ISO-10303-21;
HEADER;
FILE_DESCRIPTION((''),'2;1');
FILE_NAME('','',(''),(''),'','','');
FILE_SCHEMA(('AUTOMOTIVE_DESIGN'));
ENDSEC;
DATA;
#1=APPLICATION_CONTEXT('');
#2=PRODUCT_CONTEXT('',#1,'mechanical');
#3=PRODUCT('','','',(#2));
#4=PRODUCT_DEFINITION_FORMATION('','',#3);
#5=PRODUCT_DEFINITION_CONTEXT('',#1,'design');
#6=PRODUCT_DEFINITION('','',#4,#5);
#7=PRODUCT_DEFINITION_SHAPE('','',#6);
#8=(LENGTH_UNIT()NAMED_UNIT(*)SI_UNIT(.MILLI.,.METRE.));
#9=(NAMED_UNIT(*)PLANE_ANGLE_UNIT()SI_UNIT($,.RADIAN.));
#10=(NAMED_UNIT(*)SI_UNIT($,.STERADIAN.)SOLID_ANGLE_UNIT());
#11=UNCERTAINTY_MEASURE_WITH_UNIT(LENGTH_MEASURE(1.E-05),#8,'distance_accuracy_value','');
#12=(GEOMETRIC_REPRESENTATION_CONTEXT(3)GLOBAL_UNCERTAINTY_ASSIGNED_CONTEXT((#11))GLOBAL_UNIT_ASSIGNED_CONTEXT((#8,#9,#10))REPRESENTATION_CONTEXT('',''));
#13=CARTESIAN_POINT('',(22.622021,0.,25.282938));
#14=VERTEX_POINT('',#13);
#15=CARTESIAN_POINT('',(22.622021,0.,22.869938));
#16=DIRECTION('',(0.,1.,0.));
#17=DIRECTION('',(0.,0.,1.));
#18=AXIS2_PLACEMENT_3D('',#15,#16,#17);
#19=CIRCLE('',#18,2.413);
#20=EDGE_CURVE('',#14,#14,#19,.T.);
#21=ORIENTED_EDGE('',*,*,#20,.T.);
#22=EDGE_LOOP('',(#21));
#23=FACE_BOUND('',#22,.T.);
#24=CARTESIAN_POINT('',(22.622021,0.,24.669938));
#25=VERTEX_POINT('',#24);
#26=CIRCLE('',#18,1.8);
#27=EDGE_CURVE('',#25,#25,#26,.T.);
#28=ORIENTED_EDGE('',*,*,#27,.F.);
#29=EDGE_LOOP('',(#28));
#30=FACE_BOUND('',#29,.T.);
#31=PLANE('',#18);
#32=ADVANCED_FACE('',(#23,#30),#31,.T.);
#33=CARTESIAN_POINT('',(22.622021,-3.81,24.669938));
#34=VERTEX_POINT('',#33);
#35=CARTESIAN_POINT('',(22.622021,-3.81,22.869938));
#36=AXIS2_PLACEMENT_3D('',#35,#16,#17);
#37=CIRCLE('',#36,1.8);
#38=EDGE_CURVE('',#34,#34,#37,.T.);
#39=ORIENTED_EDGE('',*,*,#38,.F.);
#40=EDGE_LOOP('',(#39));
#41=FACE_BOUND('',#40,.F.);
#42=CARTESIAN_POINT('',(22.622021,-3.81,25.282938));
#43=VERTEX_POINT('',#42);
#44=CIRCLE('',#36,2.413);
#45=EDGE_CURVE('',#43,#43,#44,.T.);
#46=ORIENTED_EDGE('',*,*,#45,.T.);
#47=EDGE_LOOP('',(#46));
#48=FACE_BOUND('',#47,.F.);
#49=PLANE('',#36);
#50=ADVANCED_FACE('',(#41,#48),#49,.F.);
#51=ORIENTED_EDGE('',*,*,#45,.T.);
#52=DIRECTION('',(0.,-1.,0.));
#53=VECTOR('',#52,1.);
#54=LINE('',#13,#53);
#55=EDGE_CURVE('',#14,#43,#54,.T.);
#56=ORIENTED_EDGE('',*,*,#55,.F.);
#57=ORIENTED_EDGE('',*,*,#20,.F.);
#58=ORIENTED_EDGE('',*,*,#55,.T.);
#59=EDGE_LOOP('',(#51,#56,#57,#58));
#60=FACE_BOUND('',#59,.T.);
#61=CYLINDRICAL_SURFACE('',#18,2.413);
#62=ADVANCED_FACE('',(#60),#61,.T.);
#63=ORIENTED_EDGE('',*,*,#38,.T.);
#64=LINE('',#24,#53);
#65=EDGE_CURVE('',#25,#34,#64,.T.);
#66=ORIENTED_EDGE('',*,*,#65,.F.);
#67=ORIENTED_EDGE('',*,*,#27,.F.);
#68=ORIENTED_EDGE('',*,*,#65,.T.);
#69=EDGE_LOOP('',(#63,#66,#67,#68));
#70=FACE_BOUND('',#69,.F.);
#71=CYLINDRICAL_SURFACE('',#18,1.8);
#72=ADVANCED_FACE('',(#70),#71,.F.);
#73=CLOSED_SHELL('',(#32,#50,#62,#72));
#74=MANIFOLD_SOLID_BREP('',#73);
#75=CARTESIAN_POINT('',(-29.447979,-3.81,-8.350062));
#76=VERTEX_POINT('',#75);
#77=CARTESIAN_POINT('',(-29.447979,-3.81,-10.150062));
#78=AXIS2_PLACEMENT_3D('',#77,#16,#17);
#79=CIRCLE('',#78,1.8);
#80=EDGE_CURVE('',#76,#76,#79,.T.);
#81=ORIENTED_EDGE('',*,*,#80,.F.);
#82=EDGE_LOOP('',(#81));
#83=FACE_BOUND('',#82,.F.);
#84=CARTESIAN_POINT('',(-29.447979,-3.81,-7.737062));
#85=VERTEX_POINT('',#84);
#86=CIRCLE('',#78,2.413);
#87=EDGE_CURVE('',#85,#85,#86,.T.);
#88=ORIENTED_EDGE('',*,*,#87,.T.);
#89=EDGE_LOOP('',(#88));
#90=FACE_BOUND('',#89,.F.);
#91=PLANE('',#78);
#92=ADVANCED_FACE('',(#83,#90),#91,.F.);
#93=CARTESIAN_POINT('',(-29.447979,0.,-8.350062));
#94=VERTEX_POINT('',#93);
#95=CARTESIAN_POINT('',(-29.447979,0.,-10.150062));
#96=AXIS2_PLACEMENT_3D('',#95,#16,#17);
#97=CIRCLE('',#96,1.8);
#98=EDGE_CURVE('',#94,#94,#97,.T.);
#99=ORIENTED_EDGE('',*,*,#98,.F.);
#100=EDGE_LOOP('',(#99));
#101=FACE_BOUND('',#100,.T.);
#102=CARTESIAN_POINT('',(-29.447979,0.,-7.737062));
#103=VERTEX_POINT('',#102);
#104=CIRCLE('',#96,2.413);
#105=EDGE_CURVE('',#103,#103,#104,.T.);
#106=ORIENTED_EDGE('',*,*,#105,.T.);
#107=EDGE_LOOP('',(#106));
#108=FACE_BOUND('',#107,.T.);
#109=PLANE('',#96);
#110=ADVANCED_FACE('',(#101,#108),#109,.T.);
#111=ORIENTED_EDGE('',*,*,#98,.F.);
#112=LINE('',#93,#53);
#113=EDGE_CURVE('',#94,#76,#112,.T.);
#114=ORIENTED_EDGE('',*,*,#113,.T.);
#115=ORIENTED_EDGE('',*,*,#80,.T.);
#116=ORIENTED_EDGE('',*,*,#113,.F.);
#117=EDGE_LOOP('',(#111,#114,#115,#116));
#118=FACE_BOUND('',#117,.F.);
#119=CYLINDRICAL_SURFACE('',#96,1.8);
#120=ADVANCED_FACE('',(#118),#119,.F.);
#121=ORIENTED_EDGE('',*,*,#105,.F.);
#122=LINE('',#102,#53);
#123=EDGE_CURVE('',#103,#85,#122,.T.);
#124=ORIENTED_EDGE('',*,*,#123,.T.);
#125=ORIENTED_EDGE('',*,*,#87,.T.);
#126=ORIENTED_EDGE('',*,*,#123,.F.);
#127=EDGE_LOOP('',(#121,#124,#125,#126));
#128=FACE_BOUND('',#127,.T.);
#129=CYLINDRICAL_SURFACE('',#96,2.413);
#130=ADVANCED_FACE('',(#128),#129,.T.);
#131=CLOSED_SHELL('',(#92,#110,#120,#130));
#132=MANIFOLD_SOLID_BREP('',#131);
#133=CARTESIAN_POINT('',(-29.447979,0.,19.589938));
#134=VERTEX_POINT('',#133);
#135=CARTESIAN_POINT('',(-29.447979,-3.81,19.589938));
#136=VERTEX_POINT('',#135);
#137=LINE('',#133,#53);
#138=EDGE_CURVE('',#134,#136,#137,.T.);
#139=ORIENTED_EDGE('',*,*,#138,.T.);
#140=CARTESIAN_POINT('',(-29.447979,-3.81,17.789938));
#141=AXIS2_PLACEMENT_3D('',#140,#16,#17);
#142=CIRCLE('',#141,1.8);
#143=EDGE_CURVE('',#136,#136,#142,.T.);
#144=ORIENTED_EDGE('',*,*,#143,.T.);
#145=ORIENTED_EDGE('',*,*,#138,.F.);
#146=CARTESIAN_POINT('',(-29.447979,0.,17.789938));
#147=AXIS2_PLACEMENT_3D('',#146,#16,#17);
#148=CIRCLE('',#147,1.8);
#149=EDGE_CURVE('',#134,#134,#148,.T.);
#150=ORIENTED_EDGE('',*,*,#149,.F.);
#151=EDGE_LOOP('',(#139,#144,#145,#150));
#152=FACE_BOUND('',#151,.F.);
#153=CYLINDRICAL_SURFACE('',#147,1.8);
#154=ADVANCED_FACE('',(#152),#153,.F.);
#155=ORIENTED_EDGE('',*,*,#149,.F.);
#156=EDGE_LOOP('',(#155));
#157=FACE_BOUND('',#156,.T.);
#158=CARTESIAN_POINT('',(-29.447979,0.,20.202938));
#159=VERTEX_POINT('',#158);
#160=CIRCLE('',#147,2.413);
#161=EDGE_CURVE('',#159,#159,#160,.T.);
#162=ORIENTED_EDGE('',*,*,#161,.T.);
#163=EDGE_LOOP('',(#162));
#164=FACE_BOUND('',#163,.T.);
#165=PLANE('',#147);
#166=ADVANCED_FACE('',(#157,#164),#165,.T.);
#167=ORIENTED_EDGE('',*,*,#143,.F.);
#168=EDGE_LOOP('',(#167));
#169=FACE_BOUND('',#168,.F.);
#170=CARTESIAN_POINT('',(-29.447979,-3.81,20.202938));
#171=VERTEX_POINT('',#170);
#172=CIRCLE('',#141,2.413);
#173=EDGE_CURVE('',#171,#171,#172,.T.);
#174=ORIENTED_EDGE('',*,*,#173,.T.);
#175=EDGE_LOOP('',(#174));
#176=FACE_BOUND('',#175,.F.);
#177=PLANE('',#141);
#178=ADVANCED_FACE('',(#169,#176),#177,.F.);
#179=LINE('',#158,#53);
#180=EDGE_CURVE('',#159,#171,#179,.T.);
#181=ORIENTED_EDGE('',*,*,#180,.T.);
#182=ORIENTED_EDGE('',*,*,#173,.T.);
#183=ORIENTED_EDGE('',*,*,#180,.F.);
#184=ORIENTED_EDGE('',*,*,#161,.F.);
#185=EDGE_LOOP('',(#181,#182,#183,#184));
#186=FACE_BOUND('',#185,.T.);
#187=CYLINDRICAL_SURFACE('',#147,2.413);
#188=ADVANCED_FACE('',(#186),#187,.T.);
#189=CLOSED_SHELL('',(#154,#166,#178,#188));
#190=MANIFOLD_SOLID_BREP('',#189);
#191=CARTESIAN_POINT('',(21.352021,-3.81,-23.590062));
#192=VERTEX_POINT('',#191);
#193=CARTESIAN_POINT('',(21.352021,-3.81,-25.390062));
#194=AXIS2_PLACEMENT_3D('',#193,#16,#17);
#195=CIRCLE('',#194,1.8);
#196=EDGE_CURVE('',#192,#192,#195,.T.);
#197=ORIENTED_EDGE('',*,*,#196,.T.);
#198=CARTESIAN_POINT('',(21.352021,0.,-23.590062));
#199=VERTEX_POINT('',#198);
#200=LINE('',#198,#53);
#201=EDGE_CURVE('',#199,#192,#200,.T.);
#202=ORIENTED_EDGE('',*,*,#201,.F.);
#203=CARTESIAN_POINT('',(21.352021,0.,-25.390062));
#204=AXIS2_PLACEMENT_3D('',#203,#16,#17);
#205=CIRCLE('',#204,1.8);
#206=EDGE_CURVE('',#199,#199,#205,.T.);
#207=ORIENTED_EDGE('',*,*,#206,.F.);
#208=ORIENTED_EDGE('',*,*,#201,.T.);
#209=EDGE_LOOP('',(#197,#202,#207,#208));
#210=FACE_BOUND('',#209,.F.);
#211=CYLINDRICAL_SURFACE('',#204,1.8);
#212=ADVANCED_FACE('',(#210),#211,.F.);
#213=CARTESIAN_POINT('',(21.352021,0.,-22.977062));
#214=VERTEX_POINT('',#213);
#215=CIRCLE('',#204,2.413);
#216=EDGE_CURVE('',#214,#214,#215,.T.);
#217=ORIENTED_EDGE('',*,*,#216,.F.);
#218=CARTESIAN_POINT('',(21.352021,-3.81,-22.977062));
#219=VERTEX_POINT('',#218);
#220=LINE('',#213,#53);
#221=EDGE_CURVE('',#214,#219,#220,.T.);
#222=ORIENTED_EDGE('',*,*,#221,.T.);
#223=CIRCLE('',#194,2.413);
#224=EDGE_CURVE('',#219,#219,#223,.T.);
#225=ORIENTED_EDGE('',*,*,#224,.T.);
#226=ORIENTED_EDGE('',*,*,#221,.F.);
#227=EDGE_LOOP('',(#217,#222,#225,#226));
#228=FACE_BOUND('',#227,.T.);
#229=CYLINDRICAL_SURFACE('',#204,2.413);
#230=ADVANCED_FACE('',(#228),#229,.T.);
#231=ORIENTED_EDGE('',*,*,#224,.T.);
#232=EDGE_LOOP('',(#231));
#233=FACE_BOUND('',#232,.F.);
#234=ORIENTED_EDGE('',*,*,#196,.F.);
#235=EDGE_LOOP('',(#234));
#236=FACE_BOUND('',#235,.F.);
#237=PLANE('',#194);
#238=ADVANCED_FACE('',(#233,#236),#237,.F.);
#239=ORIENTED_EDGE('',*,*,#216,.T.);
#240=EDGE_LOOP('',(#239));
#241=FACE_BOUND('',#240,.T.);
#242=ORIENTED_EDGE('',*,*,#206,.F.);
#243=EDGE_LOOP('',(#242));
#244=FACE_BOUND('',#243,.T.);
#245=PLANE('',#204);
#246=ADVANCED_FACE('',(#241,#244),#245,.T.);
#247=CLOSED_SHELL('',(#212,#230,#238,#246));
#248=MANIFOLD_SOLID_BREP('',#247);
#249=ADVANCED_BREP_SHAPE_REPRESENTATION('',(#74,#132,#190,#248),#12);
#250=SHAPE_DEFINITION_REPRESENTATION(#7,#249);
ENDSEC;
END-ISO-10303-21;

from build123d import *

# Parameters (mm, degrees)
SKETCH1_R             = 2.413
SKETCH1_R_2           = 1.8
BOSS_EXTRUDE1_DEPTH   = 3.81
BOSS_EXTRUDE1_2_DEPTH = 3.81
BOSS_EXTRUDE1_3_DEPTH = 3.81
BOSS_EXTRUDE1_4_DEPTH = 3.81


with BuildPart() as part:
    # Sketch1 → Boss-Extrude1 (new body)
    with BuildSketch(Plane(origin=(0, 0, 0), x_dir=(1, 0, 0), z_dir=(0, 1, 0))):
        with Locations(Location((-29.447979475, -17.789937656, 0), (0, 0, 270))):
            Circle(SKETCH1_R)
        with Locations(Location((-29.447979475, -17.789937656, 0), (0, 0, 270))):
            Circle(SKETCH1_R_2, mode=Mode.SUBTRACT)
    extrude(amount=-BOSS_EXTRUDE1_DEPTH)


with BuildPart() as body_2:
    # Sketch1 → Boss-Extrude1 2 (new body)
    with BuildSketch(Plane(origin=(0, 0, 0), x_dir=(1, 0, 0), z_dir=(0, 1, 0))):
        with Locations(Location((-29.447979475, 10.150062344, 0), (0, 0, 270))):
            Circle(SKETCH1_R)
        with Locations(Location((-29.447979475, 10.150062344, 0), (0, 0, 270))):
            Circle(SKETCH1_R_2, mode=Mode.SUBTRACT)
    extrude(amount=-BOSS_EXTRUDE1_2_DEPTH)


with BuildPart() as body_3:
    # Sketch1 → Boss-Extrude1 3 (new body)
    with BuildSketch(Plane(origin=(0, 0, 0), x_dir=(1, 0, 0), z_dir=(0, 1, 0))):
        with Locations(Location((21.352020525, 25.390062344, 0), (0, 0, 270))):
            Circle(SKETCH1_R)
        with Locations(Location((21.352020525, 25.390062344, 0), (0, 0, 270))):
            Circle(SKETCH1_R_2, mode=Mode.SUBTRACT)
    extrude(amount=-BOSS_EXTRUDE1_3_DEPTH)


with BuildPart() as body_4:
    # Sketch1 → Boss-Extrude1 4 (new body)
    with BuildSketch(Plane(origin=(0, 0, 0), x_dir=(1, 0, 0), z_dir=(0, 1, 0))):
        with Locations(Location((22.622020525, -22.869937656, 0), (0, 0, 270))):
            Circle(SKETCH1_R)
        with Locations(Location((22.622020525, -22.869937656, 0), (0, 0, 270))):
            Circle(SKETCH1_R_2, mode=Mode.SUBTRACT)
    extrude(amount=-BOSS_EXTRUDE1_4_DEPTH)


solid = Compound([part.part, body_2.part, body_3.part, body_4.part])
